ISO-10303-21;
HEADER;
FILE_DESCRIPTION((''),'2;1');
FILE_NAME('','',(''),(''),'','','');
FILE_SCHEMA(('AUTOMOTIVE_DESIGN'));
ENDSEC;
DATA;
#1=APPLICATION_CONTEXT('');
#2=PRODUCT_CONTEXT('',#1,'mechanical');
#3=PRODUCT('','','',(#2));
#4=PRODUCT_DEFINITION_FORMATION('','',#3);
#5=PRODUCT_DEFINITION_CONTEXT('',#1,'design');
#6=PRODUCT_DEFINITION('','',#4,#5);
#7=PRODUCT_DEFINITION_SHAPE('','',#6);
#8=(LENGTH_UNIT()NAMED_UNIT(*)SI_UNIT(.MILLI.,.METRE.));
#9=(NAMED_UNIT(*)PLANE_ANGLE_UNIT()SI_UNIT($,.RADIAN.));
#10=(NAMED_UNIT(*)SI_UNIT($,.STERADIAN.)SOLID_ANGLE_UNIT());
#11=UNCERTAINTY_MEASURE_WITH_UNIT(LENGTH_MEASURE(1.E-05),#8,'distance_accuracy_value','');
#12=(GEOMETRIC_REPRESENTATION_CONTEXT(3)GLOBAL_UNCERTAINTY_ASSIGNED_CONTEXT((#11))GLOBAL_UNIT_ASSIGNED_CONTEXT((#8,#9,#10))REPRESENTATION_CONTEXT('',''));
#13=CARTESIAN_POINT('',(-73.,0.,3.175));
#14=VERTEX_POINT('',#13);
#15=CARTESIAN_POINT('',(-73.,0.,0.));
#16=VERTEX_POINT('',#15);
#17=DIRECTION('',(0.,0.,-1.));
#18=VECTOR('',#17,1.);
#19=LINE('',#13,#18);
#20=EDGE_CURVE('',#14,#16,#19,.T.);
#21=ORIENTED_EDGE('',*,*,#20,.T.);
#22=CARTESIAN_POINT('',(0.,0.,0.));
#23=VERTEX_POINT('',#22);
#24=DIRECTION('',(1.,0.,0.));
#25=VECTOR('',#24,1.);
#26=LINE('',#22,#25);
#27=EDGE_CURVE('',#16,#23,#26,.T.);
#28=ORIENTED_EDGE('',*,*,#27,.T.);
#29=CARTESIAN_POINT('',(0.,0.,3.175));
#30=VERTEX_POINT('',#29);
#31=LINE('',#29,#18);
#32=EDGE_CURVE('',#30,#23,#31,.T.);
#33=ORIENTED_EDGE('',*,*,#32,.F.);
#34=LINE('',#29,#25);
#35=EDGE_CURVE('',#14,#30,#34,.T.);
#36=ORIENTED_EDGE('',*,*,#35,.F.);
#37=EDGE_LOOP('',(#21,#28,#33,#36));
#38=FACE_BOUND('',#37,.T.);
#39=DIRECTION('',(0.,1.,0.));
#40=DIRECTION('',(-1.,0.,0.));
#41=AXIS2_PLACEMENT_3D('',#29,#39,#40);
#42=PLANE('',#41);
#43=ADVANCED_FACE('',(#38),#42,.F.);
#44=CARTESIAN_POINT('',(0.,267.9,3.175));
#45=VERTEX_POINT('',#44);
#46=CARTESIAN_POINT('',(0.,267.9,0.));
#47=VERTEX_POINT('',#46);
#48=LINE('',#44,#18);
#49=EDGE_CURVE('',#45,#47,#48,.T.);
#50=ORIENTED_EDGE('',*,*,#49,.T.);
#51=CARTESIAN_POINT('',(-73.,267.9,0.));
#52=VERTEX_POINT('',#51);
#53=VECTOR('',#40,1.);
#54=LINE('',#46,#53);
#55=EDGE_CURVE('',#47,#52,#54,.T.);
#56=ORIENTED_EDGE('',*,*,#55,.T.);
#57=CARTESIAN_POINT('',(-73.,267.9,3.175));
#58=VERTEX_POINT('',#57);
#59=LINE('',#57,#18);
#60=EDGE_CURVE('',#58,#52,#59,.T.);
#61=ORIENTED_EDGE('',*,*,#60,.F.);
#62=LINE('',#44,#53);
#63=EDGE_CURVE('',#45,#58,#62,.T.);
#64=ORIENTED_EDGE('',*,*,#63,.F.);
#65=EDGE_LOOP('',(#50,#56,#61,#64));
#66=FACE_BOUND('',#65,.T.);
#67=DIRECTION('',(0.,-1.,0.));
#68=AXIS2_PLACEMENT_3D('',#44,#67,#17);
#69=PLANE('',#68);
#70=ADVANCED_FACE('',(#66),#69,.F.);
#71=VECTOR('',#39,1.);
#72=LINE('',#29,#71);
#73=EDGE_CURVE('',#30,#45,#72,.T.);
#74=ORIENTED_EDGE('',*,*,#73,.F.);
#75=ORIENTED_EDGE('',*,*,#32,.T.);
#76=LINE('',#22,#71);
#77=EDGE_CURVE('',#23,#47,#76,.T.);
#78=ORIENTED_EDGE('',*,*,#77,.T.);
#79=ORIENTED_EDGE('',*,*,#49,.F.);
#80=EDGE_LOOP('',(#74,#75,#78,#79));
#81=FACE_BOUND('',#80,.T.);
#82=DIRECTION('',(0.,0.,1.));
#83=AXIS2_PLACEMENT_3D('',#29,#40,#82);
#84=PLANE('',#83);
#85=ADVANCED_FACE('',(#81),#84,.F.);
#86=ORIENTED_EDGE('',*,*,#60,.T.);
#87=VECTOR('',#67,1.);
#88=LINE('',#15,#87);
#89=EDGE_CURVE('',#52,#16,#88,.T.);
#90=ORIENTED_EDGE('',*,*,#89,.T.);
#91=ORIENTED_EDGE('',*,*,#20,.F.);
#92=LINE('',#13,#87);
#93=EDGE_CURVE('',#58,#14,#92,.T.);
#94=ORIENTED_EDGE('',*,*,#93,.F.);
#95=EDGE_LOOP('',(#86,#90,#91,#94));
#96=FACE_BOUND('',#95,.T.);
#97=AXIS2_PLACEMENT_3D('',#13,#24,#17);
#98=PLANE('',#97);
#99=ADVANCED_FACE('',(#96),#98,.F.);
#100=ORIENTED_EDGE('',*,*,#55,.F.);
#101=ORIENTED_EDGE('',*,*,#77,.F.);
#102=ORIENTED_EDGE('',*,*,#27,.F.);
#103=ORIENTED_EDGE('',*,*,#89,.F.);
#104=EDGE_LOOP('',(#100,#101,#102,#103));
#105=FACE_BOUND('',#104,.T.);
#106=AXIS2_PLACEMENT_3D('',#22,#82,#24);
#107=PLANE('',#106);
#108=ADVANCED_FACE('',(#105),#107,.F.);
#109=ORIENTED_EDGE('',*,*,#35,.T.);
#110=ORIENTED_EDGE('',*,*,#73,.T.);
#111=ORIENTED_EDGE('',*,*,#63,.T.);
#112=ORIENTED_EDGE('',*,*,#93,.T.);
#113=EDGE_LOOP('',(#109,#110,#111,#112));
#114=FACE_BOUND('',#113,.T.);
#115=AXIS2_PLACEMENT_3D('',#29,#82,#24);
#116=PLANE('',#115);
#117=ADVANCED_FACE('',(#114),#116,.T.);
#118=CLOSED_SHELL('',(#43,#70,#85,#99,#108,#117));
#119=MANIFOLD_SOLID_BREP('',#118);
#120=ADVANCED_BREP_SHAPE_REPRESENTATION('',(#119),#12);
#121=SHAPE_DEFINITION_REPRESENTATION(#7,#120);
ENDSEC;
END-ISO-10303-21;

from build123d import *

# Parameters (mm, degrees)
SKETCH3_W           = 73
SKETCH3_H           = 267.9
BOSS_EXTRUDE1_DEPTH = 3.175


with BuildPart() as part:
    # Sketch3 → Boss-Extrude1 (new body)
    with BuildSketch(Plane.XY):
        with Locations((-36.5, 133.95)):
            Rectangle(SKETCH3_W, SKETCH3_H)
    extrude(amount=BOSS_EXTRUDE1_DEPTH)


solid = part.part
